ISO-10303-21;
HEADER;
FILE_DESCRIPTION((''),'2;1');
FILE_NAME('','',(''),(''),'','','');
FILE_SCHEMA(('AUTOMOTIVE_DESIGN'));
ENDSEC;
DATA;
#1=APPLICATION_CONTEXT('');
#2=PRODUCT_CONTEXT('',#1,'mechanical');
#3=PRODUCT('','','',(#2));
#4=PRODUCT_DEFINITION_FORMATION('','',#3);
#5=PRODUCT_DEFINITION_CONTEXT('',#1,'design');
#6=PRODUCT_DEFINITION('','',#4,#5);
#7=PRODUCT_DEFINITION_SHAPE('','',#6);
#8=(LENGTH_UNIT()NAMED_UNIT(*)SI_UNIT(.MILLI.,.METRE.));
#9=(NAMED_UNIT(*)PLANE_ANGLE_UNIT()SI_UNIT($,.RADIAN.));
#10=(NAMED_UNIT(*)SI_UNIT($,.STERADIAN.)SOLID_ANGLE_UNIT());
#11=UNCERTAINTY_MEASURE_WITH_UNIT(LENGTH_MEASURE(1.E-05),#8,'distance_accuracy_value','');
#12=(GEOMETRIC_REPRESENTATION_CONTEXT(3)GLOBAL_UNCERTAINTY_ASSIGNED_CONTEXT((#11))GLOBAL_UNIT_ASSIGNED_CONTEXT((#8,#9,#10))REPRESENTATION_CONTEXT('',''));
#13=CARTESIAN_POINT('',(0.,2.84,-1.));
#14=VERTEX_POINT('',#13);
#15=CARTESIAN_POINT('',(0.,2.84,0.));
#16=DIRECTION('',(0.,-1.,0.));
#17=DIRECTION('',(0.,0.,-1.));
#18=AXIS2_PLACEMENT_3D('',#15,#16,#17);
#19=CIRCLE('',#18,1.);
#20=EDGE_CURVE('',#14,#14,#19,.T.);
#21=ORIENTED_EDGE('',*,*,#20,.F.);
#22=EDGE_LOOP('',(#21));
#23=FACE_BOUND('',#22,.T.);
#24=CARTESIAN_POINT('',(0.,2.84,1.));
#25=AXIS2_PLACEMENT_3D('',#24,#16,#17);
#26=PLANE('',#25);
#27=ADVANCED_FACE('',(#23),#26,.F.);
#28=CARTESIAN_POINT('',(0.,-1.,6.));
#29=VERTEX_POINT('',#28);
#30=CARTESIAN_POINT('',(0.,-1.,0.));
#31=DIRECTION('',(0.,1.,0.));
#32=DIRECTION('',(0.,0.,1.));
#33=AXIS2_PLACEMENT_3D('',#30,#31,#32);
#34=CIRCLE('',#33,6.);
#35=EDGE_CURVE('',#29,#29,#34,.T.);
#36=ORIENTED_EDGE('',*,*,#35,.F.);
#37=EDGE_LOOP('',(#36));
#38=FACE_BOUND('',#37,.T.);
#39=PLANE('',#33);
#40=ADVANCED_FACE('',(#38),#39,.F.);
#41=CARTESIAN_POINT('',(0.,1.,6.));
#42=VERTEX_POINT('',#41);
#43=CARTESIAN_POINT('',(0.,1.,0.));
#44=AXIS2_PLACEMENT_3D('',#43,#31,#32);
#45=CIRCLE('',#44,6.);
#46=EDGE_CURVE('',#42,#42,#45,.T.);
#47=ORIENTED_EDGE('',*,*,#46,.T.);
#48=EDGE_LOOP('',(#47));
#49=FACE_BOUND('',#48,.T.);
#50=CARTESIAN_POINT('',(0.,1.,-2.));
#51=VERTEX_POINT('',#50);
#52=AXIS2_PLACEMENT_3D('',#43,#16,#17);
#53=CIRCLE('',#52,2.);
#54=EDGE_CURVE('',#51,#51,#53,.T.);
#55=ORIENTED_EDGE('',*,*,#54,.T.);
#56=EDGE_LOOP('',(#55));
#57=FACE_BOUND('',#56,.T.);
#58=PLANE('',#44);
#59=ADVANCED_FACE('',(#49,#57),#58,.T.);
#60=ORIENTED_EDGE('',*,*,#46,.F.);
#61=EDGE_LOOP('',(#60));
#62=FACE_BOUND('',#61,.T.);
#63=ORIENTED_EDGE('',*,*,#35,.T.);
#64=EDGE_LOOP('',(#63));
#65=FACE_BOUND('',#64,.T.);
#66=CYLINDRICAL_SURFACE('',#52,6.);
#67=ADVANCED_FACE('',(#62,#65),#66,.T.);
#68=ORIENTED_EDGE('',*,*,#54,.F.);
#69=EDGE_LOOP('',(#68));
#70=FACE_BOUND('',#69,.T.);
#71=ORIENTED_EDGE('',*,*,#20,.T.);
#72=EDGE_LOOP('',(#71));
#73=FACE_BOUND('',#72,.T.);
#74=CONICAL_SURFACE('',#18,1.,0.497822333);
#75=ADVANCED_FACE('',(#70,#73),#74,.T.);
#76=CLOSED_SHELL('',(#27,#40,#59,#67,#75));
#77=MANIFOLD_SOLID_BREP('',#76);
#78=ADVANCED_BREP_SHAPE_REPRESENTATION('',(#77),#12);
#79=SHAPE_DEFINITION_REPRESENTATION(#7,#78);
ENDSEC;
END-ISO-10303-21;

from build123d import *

# Parameters (mm, degrees)
SKETCH1_R           = 6
BOSS_EXTRUDE1_DEPTH = 1


with BuildPart() as part:
    # Sketch1 → Boss-Extrude1 (new, symmetric)
    with BuildSketch(Plane(origin=(0, 0, 0), x_dir=(1, 0, 0), z_dir=(0, 1, 0))):
        Circle(SKETCH1_R)
    extrude(amount=BOSS_EXTRUDE1_DEPTH, both=True)

    # Sketch3 → Revolve1 (revolve)
    with BuildSketch(Plane(origin=(0, 0, 0), x_dir=(0, 0, -1), z_dir=(1, 0, 0))):
        Polygon((0, 1), (-2, 1), (-1, 2.84), (0, 2.84), align=None)
    revolve(axis=Axis((0, 1, 0), (0, 1, 0)))


solid = part.part
